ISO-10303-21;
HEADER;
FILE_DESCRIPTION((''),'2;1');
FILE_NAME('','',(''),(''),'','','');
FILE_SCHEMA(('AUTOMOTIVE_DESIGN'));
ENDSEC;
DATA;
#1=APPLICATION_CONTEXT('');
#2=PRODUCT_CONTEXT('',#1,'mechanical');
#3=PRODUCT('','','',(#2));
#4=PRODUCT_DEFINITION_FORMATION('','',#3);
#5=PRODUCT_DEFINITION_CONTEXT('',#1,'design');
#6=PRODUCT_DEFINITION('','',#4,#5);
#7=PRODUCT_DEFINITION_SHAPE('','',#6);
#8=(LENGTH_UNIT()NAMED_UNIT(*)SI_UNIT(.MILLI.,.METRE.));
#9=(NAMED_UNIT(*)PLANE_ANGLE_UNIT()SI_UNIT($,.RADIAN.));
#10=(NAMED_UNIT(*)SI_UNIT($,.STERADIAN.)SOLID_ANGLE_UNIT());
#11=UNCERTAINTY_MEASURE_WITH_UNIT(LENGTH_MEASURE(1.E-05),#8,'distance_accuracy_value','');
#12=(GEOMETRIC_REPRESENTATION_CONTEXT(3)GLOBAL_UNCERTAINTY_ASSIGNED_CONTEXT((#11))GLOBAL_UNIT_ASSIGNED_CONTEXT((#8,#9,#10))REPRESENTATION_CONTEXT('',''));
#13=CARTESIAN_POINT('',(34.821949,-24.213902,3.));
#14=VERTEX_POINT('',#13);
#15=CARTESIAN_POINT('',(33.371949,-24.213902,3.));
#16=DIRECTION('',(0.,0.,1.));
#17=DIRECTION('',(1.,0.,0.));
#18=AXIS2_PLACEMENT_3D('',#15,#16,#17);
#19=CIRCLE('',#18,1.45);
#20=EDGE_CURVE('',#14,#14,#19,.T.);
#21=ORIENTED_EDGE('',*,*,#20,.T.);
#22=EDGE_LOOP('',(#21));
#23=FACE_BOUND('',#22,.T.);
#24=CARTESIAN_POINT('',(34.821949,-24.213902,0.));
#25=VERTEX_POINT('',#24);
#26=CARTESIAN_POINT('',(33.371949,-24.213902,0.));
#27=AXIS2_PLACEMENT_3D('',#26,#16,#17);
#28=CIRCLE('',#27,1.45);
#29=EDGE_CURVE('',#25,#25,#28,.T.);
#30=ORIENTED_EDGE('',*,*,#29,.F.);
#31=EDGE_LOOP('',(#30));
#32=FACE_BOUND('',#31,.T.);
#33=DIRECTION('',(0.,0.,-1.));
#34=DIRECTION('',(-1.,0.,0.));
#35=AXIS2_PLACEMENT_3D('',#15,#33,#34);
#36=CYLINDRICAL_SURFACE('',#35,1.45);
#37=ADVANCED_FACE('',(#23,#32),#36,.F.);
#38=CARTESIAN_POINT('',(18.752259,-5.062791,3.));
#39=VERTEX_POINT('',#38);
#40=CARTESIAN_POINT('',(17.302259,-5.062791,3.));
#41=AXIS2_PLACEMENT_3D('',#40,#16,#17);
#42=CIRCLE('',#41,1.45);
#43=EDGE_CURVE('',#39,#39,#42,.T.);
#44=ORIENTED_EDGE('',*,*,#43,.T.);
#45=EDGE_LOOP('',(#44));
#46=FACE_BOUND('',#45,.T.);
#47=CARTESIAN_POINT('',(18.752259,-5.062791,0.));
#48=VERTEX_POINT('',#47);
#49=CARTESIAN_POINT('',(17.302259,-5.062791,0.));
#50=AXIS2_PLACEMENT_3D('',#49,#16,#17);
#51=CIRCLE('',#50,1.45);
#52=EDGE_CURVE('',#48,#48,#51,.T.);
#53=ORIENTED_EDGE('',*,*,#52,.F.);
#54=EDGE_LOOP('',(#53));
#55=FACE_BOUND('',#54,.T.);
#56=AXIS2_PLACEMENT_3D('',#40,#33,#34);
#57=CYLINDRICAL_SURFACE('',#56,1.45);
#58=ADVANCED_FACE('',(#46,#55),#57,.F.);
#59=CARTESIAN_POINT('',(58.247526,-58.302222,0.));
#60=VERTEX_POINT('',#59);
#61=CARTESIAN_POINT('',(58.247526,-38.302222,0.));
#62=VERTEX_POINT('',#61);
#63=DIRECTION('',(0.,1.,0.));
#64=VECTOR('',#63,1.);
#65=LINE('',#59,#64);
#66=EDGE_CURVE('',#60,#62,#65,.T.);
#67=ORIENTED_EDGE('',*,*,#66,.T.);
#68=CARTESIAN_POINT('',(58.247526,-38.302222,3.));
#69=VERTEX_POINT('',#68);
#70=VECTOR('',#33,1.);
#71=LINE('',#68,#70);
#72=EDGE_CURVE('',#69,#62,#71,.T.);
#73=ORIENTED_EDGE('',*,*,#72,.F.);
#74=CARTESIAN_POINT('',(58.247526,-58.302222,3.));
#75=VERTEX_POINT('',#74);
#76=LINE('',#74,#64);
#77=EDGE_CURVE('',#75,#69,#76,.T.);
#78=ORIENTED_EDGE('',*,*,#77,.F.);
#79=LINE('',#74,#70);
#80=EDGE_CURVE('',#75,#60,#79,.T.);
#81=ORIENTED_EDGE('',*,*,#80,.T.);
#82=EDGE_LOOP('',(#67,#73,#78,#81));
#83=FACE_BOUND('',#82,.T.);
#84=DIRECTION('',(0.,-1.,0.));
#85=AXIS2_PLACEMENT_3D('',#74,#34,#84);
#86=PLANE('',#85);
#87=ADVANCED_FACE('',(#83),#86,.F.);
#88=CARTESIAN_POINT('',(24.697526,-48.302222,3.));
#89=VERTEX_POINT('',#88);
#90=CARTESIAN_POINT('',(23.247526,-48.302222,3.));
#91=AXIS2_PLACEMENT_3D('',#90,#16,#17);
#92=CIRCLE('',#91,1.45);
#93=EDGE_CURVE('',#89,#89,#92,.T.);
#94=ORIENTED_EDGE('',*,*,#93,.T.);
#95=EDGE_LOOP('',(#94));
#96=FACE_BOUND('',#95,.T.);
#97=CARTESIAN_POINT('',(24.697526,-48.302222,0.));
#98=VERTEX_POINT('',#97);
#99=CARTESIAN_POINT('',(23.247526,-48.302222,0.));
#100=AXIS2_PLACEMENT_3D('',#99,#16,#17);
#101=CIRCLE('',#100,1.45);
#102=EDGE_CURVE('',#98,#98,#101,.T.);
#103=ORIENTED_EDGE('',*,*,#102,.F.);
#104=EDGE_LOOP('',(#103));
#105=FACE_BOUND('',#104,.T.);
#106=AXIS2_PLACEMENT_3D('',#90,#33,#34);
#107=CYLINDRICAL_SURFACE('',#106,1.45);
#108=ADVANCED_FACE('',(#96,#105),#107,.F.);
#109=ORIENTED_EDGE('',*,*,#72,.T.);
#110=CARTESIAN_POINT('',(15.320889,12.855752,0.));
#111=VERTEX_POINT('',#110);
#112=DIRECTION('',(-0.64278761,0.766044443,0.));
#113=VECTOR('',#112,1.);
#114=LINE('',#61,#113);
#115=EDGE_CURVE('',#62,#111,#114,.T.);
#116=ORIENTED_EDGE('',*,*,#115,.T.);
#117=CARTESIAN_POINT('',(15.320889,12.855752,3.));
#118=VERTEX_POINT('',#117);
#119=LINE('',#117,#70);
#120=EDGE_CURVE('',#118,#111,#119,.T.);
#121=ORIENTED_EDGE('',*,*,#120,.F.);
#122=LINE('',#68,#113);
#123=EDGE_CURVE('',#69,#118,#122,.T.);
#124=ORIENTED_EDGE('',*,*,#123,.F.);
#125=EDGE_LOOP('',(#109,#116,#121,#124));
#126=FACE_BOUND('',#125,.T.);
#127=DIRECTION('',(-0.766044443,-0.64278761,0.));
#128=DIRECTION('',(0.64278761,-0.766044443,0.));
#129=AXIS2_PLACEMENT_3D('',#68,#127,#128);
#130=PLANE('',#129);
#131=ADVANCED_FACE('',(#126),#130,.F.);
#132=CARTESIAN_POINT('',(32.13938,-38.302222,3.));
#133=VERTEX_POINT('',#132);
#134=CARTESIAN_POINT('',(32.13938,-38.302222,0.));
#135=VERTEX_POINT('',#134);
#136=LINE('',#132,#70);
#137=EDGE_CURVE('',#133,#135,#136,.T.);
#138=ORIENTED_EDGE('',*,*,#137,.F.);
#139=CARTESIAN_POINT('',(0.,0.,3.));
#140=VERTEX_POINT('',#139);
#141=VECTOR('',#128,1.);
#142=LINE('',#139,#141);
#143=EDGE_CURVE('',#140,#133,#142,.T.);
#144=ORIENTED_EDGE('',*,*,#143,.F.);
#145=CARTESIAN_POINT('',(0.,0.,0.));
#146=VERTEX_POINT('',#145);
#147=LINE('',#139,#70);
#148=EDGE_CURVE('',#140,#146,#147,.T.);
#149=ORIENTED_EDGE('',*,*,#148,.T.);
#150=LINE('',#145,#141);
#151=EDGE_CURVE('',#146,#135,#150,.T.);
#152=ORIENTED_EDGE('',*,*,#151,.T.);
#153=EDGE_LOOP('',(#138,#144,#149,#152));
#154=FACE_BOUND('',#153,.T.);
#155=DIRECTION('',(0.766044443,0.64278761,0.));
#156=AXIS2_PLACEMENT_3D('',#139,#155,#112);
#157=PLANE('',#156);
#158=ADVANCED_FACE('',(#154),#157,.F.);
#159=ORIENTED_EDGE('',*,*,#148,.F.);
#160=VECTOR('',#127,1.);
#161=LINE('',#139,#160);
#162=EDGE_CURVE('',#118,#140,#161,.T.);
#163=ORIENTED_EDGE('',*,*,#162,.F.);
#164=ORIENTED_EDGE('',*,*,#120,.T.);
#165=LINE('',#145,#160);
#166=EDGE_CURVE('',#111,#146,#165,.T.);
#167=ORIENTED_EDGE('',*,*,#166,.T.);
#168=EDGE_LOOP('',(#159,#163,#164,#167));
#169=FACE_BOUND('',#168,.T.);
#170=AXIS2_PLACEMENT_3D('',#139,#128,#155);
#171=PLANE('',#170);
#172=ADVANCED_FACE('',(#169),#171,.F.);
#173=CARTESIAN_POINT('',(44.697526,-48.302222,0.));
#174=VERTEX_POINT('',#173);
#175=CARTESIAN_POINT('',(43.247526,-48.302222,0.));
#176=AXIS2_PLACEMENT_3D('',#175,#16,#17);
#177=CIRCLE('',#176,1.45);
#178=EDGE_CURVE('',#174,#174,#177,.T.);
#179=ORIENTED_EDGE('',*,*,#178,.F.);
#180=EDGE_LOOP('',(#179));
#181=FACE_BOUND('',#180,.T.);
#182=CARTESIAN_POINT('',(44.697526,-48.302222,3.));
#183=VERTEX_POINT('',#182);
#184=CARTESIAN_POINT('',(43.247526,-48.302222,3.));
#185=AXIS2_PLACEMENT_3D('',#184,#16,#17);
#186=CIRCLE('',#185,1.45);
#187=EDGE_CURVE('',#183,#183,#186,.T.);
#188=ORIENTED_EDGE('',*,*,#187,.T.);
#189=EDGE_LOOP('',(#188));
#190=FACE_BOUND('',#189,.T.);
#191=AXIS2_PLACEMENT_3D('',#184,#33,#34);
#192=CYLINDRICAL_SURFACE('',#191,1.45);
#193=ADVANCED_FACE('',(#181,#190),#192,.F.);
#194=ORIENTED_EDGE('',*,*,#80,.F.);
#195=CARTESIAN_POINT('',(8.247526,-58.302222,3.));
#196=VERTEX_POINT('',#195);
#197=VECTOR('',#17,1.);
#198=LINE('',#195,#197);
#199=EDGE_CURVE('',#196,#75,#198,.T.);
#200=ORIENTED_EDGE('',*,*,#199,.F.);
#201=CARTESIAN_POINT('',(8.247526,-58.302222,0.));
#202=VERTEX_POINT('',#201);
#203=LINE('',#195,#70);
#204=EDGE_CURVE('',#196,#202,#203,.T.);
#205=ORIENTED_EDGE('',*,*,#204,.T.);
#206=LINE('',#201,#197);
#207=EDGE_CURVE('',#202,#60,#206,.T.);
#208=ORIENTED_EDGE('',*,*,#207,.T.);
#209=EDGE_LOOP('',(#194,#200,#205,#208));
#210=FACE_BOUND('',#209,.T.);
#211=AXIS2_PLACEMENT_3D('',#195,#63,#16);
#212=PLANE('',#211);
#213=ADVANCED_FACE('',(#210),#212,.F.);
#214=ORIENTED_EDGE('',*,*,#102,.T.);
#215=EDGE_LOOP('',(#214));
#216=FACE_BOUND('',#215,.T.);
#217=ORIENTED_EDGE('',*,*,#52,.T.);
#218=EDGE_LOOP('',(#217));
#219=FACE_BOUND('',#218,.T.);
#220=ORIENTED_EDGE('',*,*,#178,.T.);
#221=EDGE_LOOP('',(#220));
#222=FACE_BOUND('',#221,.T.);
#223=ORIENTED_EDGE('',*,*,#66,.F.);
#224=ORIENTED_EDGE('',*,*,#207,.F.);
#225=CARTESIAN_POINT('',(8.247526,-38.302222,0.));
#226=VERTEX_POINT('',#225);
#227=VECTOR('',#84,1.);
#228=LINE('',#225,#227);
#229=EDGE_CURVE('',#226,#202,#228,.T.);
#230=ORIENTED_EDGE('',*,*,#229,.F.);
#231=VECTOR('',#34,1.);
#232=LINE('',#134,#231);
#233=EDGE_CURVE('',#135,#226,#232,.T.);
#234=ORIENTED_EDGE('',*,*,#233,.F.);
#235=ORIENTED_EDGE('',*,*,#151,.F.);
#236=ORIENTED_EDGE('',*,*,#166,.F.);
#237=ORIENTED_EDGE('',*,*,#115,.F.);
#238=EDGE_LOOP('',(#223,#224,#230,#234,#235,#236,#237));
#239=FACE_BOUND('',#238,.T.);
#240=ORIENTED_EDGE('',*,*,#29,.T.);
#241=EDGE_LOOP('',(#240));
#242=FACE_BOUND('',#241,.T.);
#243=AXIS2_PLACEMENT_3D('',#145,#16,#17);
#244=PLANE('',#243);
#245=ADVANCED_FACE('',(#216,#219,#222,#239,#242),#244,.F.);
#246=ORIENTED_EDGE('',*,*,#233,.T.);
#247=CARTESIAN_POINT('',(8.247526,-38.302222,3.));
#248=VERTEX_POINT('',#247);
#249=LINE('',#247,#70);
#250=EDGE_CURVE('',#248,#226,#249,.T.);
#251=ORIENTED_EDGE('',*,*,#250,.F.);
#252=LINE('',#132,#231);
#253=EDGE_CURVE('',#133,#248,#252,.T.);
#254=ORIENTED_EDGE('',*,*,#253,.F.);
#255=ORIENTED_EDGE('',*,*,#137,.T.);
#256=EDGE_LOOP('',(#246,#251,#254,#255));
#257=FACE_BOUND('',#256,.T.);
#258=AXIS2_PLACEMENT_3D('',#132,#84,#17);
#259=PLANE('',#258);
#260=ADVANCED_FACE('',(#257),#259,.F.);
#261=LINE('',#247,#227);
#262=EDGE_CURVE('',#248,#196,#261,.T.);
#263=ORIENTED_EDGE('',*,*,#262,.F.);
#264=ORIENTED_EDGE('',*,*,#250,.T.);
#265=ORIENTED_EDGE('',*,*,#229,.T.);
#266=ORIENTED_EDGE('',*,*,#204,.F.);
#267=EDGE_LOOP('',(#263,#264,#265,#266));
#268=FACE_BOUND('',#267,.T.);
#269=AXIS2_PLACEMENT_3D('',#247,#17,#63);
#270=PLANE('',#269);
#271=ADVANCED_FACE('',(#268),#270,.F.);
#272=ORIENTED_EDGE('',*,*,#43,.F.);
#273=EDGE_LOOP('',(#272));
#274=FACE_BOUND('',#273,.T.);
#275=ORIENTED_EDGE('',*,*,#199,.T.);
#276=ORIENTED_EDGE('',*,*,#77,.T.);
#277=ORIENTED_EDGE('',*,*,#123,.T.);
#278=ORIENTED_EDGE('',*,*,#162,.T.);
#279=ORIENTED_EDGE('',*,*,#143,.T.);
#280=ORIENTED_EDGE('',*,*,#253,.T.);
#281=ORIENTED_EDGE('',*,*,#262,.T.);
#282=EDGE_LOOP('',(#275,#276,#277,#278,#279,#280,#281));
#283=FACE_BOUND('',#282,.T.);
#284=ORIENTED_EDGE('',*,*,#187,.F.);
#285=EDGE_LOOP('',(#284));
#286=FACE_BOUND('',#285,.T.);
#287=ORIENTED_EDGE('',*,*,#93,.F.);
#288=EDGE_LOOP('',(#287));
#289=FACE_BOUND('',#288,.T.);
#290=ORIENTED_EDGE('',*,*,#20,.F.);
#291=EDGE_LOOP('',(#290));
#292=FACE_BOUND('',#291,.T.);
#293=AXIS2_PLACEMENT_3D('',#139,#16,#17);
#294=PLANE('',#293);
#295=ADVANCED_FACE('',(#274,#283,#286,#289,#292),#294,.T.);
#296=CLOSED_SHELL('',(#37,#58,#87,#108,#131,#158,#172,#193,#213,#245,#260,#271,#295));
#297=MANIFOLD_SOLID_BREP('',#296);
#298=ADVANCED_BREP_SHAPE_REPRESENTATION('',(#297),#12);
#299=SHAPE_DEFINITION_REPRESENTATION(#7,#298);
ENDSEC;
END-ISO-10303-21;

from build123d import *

# Parameters (mm, degrees)
SKETCH1_R           = 1.45
BOSS_EXTRUDE1_DEPTH = 3


with BuildPart() as part:
    # Sketch1 → Boss-Extrude1 (new body)
    with BuildSketch(Plane.XY):
        Polygon((0, 0), (32.139380484, -38.302222156), (8.247526271, -38.302222156), (8.247526271, -58.302222156), (58.247526271, -58.302222156), (58.247526271, -38.302222156), (15.320888862, 12.855752194), align=None)
        with Locations((23.247526271, -48.302222156)):
            Circle(SKETCH1_R, mode=Mode.SUBTRACT)
        with Locations((43.247526271, -48.302222156)):
            Circle(SKETCH1_R, mode=Mode.SUBTRACT)
        with Locations((17.302258576, -5.06279055)):
            Circle(SKETCH1_R, mode=Mode.SUBTRACT)
        with Locations((33.371948819, -24.213901628)):
            Circle(SKETCH1_R, mode=Mode.SUBTRACT)
    extrude(amount=BOSS_EXTRUDE1_DEPTH)


solid = part.part
